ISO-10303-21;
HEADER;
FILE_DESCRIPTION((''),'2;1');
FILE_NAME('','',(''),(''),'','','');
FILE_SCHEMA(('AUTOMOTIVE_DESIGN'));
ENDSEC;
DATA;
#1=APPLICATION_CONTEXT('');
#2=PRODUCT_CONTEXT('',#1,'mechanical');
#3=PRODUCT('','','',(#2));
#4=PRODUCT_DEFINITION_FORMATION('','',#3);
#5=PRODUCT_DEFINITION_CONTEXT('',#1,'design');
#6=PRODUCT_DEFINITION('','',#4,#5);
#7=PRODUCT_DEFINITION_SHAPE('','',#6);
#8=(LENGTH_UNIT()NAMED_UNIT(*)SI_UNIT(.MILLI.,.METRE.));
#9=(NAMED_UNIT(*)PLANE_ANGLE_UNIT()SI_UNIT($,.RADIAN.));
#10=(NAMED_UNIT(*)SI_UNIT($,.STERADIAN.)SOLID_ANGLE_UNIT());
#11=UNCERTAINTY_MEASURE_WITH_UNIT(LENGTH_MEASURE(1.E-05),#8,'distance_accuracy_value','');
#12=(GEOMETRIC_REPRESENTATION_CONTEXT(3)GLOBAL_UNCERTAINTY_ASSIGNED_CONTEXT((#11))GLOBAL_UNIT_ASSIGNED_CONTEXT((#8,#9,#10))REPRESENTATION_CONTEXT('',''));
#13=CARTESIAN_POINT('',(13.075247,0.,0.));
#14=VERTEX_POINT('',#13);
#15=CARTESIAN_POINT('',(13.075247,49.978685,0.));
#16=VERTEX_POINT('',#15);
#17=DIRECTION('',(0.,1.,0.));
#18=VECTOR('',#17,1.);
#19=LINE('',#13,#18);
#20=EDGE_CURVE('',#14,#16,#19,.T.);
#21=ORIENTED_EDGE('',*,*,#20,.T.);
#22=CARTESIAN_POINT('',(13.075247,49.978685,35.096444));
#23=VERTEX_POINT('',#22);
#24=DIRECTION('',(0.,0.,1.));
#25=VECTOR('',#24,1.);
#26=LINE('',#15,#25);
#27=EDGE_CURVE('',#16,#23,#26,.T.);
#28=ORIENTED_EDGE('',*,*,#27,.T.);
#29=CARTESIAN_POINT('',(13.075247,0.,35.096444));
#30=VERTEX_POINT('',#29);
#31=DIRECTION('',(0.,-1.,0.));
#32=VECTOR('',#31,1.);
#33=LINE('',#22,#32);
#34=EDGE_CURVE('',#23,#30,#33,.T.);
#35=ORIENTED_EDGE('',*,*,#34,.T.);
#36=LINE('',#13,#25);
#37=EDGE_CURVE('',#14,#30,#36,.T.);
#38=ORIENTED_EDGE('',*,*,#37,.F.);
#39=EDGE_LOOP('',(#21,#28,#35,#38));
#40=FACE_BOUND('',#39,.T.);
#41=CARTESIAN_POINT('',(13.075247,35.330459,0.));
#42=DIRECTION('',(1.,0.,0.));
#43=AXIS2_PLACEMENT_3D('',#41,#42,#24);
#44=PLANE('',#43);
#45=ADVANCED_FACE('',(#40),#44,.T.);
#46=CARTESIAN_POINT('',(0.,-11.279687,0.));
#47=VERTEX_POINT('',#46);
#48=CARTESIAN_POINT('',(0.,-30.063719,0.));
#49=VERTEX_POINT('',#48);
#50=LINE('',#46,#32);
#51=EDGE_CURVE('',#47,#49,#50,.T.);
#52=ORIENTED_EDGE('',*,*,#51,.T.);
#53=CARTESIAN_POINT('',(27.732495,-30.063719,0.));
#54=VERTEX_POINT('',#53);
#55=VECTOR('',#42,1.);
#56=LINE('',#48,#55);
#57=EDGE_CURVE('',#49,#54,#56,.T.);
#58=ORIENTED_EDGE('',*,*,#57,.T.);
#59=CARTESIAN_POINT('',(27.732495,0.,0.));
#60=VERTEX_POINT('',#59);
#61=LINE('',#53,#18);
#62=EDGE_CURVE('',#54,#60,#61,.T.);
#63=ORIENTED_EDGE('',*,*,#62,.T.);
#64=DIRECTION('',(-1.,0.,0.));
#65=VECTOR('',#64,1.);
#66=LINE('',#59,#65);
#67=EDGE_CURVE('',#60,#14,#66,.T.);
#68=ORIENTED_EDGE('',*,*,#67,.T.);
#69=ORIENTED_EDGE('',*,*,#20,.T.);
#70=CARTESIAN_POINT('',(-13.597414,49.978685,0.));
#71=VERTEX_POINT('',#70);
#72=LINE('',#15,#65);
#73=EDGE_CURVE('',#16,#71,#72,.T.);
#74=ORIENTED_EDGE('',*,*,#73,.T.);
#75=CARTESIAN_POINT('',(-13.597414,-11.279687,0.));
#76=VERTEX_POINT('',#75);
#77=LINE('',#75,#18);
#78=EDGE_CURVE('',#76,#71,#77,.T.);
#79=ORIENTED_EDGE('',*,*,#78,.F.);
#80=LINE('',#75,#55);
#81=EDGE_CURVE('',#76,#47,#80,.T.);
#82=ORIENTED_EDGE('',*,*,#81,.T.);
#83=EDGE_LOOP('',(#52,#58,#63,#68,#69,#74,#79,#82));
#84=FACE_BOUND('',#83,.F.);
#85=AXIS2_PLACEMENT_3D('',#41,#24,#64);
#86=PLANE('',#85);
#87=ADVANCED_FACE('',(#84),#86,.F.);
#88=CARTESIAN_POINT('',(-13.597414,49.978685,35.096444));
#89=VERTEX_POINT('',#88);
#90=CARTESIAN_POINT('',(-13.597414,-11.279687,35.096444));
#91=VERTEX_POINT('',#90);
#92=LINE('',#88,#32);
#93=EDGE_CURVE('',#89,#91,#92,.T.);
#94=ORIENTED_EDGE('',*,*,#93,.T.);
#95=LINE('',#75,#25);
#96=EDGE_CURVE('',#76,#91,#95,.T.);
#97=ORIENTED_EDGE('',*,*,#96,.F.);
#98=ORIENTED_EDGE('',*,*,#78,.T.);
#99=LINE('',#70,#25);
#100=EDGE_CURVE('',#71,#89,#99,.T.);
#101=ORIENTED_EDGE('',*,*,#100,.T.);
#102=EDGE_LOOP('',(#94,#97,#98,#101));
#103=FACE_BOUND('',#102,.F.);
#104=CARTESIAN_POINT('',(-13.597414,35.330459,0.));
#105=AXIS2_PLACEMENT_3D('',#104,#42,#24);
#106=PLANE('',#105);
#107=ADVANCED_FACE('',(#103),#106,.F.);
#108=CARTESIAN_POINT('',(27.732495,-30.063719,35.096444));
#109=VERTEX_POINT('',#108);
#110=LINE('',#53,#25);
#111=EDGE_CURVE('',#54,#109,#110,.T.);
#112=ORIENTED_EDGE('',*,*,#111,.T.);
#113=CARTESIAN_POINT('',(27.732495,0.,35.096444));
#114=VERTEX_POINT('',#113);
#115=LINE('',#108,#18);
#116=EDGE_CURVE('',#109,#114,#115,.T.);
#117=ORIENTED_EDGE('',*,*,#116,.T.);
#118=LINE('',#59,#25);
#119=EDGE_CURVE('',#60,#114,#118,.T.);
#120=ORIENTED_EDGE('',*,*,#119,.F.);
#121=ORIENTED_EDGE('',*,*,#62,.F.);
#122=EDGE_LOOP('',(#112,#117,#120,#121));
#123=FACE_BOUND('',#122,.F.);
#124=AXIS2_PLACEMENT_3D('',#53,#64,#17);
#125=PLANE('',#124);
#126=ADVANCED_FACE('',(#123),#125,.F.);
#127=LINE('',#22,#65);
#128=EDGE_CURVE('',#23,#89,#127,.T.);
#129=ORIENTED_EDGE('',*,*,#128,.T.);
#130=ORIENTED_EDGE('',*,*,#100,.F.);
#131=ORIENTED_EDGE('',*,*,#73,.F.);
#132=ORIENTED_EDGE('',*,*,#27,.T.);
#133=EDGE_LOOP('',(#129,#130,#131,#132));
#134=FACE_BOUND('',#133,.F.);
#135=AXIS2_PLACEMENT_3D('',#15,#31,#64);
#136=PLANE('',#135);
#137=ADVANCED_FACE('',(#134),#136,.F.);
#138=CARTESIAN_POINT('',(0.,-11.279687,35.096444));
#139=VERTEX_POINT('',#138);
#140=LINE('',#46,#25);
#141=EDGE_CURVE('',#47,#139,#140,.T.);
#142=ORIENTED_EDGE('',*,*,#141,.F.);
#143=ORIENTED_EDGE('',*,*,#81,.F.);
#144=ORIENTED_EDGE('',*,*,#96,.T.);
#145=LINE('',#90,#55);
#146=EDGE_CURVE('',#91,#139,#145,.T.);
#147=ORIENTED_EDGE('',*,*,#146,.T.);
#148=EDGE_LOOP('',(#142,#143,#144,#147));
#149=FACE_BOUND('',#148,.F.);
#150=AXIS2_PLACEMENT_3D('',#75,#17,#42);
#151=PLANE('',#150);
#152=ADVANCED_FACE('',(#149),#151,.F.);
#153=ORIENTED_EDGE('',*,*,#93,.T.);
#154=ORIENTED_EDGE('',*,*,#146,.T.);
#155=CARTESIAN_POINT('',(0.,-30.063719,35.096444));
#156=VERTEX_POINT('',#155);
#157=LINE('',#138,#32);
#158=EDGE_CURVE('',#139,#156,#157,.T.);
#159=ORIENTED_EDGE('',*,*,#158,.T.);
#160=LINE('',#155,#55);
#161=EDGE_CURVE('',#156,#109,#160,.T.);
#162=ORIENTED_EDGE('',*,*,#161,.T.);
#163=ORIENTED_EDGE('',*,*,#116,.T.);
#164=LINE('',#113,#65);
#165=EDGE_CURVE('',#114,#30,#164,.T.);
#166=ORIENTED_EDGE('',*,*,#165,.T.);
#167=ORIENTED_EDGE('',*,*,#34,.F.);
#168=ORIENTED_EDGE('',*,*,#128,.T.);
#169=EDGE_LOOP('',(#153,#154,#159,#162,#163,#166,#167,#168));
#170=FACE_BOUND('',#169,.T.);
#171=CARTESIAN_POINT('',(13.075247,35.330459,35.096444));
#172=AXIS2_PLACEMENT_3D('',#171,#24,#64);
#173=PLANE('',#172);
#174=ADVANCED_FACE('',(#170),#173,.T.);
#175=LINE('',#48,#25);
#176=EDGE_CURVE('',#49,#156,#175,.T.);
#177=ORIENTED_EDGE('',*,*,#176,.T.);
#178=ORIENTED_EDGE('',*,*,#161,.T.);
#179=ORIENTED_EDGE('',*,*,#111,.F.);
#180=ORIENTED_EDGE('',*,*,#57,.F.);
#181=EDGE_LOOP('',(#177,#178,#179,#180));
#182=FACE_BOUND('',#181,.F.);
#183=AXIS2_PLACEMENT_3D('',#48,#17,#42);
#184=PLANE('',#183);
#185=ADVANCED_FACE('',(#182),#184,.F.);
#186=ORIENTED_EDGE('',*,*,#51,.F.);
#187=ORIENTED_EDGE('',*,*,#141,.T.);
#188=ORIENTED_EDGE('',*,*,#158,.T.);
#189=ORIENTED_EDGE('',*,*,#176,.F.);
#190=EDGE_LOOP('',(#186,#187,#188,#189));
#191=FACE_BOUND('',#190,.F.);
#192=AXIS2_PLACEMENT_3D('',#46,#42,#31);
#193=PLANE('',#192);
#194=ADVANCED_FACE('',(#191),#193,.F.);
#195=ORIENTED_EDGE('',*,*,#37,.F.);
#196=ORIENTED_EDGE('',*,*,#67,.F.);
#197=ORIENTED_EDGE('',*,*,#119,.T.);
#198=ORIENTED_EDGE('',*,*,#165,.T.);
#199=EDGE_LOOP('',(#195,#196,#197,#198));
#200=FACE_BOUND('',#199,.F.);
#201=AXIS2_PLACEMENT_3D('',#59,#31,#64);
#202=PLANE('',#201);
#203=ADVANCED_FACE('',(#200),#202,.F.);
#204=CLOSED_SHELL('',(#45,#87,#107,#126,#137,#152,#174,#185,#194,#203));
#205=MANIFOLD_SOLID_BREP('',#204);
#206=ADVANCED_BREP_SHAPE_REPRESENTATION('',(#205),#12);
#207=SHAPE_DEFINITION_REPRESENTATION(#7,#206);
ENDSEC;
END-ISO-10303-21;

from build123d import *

# Parameters (mm, degrees)
F0_W     = 13.075247407
F0_H     = 11.2796872854
F1_DEPTH = 35.0964441895
F2_DEPTH = 14.6482251585


with BuildPart() as f1:
    # F0 (on Top) → F1 (new body)
    with BuildSketch(Plane.XY):
        Polygon((0, -11.2796872854), (0, 0), (13.075247407, 0), (13.075247407, 35.3304594755), (-13.5974138975, 35.3304594755), (-13.5974138975, -11.2796872854), align=None)
        Polygon((27.7324952185, 0), (13.075247407, 0), (13.075247407, -11.2796872854), (0, -11.2796872854), (0, -30.0637185574), (27.7324952185, -30.0637185574), align=None)
        with Locations((6.5376237035, -5.6398436427)):
            Rectangle(F0_W, F0_H)
    extrude(amount=F1_DEPTH)

    # F2 (add): a face of the model
    f2_faces = [f1.faces().sort_by_distance(p)[0] for p in [
        (-0.2610832453, 35.3304594755, 17.5482220948),
    ]]
    extrude(f2_faces, amount=F2_DEPTH)


solid = f1.part
